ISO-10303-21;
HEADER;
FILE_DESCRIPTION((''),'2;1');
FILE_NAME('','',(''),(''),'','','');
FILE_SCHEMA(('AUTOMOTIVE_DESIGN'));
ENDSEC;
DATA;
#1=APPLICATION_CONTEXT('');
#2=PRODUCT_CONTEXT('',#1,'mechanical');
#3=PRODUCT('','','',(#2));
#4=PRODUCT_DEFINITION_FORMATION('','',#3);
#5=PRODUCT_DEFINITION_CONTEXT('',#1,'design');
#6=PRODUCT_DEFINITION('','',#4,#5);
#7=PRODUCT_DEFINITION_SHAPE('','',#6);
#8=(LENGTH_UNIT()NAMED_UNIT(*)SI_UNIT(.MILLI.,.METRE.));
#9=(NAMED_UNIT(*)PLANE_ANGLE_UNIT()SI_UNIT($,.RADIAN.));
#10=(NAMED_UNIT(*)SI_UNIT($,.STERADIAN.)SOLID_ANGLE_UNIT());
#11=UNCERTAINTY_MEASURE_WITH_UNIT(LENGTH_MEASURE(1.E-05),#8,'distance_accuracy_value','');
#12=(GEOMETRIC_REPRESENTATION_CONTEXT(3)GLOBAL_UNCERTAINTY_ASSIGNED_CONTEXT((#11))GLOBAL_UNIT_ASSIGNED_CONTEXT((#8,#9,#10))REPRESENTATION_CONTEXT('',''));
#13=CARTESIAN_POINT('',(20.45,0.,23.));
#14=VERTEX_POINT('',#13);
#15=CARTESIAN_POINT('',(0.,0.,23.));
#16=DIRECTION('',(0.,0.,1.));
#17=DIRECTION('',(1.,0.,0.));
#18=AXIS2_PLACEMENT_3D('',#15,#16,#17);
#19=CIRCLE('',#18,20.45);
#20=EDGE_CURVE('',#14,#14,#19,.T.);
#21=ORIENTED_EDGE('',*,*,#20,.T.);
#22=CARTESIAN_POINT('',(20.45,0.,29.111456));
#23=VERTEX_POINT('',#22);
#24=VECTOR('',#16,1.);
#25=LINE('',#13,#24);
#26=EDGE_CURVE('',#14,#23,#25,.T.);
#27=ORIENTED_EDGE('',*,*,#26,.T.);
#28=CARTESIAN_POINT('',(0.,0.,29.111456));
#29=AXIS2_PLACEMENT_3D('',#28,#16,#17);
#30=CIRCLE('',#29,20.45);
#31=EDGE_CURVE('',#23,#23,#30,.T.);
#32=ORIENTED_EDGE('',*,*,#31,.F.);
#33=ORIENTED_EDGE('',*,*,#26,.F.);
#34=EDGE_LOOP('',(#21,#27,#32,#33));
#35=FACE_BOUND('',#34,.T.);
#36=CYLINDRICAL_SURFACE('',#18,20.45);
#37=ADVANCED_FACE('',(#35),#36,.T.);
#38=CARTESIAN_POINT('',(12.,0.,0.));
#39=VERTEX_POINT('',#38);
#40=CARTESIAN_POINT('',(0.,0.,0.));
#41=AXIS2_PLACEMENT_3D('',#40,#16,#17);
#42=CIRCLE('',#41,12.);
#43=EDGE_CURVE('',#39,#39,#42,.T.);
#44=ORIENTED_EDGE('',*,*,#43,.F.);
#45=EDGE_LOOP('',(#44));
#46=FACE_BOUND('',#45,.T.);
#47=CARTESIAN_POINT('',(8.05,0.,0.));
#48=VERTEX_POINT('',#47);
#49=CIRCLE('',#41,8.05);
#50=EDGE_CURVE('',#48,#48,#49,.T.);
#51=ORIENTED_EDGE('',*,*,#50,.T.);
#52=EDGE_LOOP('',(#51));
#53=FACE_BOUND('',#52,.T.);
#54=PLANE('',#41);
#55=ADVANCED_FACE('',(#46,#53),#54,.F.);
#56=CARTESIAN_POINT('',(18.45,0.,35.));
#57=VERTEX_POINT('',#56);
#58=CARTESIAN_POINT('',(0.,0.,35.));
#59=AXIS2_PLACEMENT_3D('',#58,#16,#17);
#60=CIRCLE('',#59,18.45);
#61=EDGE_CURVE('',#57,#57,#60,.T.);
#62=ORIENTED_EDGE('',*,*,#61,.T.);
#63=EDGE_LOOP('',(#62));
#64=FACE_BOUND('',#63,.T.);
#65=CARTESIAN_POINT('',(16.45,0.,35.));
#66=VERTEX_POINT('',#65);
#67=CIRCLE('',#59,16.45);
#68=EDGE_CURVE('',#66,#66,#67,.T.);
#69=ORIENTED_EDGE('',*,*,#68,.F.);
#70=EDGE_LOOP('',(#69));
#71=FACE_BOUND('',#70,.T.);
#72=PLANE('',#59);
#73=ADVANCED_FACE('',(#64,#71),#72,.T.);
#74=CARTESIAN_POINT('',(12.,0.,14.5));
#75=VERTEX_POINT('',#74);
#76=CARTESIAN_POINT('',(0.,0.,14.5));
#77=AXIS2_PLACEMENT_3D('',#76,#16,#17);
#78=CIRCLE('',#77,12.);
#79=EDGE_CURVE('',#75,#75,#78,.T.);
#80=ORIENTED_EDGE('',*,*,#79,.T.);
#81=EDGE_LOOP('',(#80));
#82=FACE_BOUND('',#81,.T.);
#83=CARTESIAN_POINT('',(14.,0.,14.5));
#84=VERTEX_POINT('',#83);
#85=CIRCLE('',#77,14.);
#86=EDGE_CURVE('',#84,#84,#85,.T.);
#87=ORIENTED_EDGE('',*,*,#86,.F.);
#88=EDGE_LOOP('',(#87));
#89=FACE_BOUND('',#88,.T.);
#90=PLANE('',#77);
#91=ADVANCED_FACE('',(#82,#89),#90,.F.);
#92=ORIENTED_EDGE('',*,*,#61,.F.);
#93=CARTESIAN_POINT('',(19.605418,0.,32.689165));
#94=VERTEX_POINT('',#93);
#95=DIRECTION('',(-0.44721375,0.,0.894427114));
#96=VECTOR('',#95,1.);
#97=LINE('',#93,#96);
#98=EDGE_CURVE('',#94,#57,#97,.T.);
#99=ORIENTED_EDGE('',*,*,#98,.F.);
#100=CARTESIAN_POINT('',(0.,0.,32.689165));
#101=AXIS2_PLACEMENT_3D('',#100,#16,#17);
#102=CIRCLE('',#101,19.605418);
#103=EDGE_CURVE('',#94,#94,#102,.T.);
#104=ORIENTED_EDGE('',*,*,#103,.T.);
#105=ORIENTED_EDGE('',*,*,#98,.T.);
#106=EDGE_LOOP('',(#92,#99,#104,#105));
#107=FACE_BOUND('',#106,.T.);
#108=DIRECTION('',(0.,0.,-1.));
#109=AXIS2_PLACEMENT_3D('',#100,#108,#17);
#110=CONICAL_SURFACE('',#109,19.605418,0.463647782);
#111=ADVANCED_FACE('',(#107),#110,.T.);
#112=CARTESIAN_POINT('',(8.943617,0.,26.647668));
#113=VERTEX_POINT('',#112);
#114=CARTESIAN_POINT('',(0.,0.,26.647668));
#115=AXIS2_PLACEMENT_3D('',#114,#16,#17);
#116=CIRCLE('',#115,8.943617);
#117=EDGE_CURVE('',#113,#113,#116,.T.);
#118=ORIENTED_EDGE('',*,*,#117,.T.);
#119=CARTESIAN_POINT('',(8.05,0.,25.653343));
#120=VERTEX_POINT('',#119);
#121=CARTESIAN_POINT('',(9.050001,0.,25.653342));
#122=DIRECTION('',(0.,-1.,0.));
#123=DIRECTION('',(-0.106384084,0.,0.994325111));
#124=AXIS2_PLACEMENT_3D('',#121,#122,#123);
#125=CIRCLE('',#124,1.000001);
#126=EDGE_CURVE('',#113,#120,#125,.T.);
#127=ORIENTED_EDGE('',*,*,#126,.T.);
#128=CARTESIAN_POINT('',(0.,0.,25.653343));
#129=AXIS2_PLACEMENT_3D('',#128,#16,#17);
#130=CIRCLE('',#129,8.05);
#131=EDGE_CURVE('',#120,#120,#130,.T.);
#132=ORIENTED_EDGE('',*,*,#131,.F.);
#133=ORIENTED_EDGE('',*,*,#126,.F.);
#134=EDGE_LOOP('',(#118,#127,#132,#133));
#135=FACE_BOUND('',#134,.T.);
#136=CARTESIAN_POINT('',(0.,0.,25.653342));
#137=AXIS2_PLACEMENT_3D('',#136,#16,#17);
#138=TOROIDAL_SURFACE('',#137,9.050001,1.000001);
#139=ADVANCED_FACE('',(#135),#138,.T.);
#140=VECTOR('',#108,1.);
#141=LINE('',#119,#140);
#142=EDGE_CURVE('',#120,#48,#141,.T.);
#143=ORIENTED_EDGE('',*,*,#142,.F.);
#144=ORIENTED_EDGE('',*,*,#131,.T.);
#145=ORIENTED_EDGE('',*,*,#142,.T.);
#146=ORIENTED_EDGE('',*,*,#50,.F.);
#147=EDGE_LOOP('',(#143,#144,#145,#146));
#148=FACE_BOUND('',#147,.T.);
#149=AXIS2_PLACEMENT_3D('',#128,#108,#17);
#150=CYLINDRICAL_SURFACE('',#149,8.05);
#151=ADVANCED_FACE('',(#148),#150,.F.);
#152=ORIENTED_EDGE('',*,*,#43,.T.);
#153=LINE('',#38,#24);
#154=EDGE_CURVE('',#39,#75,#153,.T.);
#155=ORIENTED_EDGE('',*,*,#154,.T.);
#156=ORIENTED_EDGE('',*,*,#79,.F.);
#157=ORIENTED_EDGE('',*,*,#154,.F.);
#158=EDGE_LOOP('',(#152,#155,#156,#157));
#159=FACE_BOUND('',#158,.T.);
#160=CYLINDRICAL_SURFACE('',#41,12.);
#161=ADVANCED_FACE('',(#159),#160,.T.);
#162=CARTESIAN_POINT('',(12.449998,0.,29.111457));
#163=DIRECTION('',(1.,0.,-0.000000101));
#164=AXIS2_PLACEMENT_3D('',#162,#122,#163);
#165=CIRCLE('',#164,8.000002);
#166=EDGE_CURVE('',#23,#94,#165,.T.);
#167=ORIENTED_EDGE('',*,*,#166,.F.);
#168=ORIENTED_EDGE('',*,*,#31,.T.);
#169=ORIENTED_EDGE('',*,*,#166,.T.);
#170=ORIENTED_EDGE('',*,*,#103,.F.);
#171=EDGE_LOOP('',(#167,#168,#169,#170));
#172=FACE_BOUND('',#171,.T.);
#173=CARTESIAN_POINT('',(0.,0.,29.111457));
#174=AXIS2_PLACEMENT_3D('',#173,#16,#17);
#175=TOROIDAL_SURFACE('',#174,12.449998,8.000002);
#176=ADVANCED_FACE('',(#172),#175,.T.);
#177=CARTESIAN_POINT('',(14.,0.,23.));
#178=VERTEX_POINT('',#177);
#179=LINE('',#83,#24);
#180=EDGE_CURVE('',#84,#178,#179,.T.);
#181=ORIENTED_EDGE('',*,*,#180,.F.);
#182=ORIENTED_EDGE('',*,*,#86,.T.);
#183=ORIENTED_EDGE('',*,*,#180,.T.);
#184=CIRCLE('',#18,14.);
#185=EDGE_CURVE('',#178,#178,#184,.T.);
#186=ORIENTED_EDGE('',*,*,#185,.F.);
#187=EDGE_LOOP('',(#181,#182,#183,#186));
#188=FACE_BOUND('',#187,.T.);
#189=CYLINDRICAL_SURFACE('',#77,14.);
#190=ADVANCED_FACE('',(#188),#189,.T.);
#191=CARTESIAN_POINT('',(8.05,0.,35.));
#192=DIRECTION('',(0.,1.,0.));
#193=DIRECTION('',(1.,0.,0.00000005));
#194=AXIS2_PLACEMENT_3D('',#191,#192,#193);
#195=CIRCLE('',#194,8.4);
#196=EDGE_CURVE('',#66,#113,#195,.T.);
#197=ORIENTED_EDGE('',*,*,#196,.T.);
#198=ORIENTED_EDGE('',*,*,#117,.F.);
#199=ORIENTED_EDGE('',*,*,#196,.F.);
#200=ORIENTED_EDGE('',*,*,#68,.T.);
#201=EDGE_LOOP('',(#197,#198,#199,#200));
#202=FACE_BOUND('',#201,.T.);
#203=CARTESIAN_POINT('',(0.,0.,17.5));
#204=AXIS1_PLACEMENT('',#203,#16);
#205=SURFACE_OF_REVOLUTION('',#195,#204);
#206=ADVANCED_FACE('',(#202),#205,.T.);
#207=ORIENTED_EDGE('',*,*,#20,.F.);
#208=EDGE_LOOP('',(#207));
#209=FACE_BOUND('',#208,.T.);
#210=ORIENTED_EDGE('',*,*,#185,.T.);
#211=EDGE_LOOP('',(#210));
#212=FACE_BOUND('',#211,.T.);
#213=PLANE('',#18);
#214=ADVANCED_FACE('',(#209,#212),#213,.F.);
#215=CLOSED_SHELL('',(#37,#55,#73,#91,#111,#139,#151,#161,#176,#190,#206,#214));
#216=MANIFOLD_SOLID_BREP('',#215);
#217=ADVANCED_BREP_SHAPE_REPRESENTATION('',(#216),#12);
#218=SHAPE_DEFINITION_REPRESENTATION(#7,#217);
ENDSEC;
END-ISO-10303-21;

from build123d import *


with BuildPart() as f1:
    # F0 (on Front) → F1 (revolve)
    with BuildSketch(Plane.XZ):
        with BuildLine():
            Line((8.05, 25.653343), (8.05, 0))
            Line((8.05, 0), (12, 0))
            Line((12, 0), (12, 14.5))
            Line((12, 14.5), (14, 14.5))
            Line((14, 14.5), (14, 23))
            Line((14, 23), (20.45, 23))
            Line((20.45, 23), (20.45, 29.111456))
            ThreePointArc((20.45, 29.111456), (20.235992, 30.94948), (19.605418, 32.689165))
            Line((19.605418, 32.689165), (18.45, 35))
            Line((18.45, 35), (16.45, 35))
            ThreePointArc((16.45, 35), (14.297655, 29.385126), (8.943617, 26.647668))
            ThreePointArc((8.943617, 26.647668), (8.306232, 26.32178), (8.05, 25.653343))
        make_face()
    revolve(axis=Axis((0, 0, 17.5), (0, 0, 1)))


solid = f1.part
